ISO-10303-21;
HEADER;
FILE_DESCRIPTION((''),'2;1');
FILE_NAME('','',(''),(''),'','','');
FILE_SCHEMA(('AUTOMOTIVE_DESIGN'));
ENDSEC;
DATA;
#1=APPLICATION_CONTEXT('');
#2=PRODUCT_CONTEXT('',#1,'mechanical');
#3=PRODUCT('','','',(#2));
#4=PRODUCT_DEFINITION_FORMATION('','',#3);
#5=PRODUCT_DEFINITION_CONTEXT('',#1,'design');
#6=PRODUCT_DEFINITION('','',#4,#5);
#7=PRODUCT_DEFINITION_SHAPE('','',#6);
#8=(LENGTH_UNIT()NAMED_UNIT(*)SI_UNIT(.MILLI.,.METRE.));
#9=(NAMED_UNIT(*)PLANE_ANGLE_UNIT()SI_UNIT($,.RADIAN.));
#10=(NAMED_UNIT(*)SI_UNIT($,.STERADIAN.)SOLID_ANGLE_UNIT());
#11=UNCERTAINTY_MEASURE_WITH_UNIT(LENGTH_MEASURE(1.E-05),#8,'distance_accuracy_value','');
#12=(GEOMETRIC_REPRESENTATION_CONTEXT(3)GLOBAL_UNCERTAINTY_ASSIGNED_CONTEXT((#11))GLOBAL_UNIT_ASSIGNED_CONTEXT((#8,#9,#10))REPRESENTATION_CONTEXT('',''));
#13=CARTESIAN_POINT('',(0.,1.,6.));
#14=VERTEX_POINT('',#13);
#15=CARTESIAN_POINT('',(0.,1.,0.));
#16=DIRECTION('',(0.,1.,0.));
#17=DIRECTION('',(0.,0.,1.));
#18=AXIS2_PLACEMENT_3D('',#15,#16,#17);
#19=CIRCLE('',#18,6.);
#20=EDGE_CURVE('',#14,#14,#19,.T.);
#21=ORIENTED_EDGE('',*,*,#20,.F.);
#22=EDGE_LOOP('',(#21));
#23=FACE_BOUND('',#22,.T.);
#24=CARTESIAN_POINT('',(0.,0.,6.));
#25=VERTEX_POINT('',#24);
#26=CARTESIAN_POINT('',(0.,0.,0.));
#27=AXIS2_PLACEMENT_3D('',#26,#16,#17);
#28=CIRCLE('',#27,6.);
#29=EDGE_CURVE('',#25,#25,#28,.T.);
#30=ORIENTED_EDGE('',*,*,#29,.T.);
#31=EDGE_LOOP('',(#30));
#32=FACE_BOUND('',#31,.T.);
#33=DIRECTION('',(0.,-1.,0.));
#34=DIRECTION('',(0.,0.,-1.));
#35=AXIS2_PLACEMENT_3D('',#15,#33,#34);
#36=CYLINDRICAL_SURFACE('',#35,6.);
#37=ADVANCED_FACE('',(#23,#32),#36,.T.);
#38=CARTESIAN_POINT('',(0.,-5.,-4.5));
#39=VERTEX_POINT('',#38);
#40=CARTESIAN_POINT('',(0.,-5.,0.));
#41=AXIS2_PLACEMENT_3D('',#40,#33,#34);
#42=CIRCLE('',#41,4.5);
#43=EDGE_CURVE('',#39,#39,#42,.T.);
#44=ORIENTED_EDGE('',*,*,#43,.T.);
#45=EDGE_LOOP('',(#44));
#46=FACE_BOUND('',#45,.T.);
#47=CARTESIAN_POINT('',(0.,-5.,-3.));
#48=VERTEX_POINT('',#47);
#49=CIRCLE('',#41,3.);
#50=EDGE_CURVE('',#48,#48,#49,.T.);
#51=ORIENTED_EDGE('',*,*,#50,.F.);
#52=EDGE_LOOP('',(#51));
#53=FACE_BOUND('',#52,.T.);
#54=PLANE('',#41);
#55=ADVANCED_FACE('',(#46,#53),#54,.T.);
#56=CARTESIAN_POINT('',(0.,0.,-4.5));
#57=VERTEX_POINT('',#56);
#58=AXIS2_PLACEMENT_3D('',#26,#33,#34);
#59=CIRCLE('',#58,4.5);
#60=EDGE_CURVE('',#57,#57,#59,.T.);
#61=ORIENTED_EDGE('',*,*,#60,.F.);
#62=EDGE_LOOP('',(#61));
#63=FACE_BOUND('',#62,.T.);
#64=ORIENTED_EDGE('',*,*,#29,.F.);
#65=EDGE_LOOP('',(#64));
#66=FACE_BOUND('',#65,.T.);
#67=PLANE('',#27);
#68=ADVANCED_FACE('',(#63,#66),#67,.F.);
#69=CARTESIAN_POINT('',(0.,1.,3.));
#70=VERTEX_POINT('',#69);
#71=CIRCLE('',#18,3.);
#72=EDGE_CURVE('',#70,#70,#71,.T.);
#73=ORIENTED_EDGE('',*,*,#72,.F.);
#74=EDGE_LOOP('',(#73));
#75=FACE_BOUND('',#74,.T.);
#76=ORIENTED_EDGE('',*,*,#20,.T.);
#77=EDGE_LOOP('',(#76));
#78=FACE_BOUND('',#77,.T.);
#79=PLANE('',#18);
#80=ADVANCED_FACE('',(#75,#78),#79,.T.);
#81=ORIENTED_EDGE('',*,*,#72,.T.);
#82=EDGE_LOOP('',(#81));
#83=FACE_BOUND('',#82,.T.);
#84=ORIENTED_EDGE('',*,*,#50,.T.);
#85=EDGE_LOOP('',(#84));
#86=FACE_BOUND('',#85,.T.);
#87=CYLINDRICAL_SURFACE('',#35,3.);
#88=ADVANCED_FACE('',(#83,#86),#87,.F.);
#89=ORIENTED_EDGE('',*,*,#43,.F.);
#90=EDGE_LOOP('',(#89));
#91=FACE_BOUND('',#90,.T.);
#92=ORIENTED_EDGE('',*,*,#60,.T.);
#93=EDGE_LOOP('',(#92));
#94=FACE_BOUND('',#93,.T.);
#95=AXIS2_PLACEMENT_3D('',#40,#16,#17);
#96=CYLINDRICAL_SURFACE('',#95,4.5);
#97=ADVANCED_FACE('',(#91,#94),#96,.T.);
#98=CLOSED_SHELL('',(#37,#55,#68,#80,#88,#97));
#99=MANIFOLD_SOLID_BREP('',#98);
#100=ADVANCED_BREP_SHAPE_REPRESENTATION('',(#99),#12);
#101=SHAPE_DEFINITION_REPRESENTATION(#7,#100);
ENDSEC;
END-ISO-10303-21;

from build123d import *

# Parameters (mm, degrees)
SKETCH_1_R      = 6
SKETCH_1_R_2    = 3
EXTRUDE_1_DEPTH = 1
EXTRUDE_START   = 5
SKETCH_2_R      = 4.5
SKETCH_2_R_2    = 3
EXTRUDE_2_DEPTH = 5


with BuildPart() as part:
    # 草图1 → 凸台-拉伸1 (new body)
    with BuildSketch(Plane(origin=(0, 0, 0), x_dir=(1, 0, 0), z_dir=(0, 1, 0))):
        Circle(SKETCH_1_R)
        Circle(SKETCH_1_R_2, mode=Mode.SUBTRACT)
    extrude(amount=EXTRUDE_1_DEPTH)

    # 草图2 → 凸台-拉伸2 (add)
    with BuildSketch(Plane.XZ.offset(EXTRUDE_START)):
        Circle(SKETCH_2_R)
        Circle(SKETCH_2_R_2, mode=Mode.SUBTRACT)
    extrude(amount=-EXTRUDE_2_DEPTH)


solid = part.part
